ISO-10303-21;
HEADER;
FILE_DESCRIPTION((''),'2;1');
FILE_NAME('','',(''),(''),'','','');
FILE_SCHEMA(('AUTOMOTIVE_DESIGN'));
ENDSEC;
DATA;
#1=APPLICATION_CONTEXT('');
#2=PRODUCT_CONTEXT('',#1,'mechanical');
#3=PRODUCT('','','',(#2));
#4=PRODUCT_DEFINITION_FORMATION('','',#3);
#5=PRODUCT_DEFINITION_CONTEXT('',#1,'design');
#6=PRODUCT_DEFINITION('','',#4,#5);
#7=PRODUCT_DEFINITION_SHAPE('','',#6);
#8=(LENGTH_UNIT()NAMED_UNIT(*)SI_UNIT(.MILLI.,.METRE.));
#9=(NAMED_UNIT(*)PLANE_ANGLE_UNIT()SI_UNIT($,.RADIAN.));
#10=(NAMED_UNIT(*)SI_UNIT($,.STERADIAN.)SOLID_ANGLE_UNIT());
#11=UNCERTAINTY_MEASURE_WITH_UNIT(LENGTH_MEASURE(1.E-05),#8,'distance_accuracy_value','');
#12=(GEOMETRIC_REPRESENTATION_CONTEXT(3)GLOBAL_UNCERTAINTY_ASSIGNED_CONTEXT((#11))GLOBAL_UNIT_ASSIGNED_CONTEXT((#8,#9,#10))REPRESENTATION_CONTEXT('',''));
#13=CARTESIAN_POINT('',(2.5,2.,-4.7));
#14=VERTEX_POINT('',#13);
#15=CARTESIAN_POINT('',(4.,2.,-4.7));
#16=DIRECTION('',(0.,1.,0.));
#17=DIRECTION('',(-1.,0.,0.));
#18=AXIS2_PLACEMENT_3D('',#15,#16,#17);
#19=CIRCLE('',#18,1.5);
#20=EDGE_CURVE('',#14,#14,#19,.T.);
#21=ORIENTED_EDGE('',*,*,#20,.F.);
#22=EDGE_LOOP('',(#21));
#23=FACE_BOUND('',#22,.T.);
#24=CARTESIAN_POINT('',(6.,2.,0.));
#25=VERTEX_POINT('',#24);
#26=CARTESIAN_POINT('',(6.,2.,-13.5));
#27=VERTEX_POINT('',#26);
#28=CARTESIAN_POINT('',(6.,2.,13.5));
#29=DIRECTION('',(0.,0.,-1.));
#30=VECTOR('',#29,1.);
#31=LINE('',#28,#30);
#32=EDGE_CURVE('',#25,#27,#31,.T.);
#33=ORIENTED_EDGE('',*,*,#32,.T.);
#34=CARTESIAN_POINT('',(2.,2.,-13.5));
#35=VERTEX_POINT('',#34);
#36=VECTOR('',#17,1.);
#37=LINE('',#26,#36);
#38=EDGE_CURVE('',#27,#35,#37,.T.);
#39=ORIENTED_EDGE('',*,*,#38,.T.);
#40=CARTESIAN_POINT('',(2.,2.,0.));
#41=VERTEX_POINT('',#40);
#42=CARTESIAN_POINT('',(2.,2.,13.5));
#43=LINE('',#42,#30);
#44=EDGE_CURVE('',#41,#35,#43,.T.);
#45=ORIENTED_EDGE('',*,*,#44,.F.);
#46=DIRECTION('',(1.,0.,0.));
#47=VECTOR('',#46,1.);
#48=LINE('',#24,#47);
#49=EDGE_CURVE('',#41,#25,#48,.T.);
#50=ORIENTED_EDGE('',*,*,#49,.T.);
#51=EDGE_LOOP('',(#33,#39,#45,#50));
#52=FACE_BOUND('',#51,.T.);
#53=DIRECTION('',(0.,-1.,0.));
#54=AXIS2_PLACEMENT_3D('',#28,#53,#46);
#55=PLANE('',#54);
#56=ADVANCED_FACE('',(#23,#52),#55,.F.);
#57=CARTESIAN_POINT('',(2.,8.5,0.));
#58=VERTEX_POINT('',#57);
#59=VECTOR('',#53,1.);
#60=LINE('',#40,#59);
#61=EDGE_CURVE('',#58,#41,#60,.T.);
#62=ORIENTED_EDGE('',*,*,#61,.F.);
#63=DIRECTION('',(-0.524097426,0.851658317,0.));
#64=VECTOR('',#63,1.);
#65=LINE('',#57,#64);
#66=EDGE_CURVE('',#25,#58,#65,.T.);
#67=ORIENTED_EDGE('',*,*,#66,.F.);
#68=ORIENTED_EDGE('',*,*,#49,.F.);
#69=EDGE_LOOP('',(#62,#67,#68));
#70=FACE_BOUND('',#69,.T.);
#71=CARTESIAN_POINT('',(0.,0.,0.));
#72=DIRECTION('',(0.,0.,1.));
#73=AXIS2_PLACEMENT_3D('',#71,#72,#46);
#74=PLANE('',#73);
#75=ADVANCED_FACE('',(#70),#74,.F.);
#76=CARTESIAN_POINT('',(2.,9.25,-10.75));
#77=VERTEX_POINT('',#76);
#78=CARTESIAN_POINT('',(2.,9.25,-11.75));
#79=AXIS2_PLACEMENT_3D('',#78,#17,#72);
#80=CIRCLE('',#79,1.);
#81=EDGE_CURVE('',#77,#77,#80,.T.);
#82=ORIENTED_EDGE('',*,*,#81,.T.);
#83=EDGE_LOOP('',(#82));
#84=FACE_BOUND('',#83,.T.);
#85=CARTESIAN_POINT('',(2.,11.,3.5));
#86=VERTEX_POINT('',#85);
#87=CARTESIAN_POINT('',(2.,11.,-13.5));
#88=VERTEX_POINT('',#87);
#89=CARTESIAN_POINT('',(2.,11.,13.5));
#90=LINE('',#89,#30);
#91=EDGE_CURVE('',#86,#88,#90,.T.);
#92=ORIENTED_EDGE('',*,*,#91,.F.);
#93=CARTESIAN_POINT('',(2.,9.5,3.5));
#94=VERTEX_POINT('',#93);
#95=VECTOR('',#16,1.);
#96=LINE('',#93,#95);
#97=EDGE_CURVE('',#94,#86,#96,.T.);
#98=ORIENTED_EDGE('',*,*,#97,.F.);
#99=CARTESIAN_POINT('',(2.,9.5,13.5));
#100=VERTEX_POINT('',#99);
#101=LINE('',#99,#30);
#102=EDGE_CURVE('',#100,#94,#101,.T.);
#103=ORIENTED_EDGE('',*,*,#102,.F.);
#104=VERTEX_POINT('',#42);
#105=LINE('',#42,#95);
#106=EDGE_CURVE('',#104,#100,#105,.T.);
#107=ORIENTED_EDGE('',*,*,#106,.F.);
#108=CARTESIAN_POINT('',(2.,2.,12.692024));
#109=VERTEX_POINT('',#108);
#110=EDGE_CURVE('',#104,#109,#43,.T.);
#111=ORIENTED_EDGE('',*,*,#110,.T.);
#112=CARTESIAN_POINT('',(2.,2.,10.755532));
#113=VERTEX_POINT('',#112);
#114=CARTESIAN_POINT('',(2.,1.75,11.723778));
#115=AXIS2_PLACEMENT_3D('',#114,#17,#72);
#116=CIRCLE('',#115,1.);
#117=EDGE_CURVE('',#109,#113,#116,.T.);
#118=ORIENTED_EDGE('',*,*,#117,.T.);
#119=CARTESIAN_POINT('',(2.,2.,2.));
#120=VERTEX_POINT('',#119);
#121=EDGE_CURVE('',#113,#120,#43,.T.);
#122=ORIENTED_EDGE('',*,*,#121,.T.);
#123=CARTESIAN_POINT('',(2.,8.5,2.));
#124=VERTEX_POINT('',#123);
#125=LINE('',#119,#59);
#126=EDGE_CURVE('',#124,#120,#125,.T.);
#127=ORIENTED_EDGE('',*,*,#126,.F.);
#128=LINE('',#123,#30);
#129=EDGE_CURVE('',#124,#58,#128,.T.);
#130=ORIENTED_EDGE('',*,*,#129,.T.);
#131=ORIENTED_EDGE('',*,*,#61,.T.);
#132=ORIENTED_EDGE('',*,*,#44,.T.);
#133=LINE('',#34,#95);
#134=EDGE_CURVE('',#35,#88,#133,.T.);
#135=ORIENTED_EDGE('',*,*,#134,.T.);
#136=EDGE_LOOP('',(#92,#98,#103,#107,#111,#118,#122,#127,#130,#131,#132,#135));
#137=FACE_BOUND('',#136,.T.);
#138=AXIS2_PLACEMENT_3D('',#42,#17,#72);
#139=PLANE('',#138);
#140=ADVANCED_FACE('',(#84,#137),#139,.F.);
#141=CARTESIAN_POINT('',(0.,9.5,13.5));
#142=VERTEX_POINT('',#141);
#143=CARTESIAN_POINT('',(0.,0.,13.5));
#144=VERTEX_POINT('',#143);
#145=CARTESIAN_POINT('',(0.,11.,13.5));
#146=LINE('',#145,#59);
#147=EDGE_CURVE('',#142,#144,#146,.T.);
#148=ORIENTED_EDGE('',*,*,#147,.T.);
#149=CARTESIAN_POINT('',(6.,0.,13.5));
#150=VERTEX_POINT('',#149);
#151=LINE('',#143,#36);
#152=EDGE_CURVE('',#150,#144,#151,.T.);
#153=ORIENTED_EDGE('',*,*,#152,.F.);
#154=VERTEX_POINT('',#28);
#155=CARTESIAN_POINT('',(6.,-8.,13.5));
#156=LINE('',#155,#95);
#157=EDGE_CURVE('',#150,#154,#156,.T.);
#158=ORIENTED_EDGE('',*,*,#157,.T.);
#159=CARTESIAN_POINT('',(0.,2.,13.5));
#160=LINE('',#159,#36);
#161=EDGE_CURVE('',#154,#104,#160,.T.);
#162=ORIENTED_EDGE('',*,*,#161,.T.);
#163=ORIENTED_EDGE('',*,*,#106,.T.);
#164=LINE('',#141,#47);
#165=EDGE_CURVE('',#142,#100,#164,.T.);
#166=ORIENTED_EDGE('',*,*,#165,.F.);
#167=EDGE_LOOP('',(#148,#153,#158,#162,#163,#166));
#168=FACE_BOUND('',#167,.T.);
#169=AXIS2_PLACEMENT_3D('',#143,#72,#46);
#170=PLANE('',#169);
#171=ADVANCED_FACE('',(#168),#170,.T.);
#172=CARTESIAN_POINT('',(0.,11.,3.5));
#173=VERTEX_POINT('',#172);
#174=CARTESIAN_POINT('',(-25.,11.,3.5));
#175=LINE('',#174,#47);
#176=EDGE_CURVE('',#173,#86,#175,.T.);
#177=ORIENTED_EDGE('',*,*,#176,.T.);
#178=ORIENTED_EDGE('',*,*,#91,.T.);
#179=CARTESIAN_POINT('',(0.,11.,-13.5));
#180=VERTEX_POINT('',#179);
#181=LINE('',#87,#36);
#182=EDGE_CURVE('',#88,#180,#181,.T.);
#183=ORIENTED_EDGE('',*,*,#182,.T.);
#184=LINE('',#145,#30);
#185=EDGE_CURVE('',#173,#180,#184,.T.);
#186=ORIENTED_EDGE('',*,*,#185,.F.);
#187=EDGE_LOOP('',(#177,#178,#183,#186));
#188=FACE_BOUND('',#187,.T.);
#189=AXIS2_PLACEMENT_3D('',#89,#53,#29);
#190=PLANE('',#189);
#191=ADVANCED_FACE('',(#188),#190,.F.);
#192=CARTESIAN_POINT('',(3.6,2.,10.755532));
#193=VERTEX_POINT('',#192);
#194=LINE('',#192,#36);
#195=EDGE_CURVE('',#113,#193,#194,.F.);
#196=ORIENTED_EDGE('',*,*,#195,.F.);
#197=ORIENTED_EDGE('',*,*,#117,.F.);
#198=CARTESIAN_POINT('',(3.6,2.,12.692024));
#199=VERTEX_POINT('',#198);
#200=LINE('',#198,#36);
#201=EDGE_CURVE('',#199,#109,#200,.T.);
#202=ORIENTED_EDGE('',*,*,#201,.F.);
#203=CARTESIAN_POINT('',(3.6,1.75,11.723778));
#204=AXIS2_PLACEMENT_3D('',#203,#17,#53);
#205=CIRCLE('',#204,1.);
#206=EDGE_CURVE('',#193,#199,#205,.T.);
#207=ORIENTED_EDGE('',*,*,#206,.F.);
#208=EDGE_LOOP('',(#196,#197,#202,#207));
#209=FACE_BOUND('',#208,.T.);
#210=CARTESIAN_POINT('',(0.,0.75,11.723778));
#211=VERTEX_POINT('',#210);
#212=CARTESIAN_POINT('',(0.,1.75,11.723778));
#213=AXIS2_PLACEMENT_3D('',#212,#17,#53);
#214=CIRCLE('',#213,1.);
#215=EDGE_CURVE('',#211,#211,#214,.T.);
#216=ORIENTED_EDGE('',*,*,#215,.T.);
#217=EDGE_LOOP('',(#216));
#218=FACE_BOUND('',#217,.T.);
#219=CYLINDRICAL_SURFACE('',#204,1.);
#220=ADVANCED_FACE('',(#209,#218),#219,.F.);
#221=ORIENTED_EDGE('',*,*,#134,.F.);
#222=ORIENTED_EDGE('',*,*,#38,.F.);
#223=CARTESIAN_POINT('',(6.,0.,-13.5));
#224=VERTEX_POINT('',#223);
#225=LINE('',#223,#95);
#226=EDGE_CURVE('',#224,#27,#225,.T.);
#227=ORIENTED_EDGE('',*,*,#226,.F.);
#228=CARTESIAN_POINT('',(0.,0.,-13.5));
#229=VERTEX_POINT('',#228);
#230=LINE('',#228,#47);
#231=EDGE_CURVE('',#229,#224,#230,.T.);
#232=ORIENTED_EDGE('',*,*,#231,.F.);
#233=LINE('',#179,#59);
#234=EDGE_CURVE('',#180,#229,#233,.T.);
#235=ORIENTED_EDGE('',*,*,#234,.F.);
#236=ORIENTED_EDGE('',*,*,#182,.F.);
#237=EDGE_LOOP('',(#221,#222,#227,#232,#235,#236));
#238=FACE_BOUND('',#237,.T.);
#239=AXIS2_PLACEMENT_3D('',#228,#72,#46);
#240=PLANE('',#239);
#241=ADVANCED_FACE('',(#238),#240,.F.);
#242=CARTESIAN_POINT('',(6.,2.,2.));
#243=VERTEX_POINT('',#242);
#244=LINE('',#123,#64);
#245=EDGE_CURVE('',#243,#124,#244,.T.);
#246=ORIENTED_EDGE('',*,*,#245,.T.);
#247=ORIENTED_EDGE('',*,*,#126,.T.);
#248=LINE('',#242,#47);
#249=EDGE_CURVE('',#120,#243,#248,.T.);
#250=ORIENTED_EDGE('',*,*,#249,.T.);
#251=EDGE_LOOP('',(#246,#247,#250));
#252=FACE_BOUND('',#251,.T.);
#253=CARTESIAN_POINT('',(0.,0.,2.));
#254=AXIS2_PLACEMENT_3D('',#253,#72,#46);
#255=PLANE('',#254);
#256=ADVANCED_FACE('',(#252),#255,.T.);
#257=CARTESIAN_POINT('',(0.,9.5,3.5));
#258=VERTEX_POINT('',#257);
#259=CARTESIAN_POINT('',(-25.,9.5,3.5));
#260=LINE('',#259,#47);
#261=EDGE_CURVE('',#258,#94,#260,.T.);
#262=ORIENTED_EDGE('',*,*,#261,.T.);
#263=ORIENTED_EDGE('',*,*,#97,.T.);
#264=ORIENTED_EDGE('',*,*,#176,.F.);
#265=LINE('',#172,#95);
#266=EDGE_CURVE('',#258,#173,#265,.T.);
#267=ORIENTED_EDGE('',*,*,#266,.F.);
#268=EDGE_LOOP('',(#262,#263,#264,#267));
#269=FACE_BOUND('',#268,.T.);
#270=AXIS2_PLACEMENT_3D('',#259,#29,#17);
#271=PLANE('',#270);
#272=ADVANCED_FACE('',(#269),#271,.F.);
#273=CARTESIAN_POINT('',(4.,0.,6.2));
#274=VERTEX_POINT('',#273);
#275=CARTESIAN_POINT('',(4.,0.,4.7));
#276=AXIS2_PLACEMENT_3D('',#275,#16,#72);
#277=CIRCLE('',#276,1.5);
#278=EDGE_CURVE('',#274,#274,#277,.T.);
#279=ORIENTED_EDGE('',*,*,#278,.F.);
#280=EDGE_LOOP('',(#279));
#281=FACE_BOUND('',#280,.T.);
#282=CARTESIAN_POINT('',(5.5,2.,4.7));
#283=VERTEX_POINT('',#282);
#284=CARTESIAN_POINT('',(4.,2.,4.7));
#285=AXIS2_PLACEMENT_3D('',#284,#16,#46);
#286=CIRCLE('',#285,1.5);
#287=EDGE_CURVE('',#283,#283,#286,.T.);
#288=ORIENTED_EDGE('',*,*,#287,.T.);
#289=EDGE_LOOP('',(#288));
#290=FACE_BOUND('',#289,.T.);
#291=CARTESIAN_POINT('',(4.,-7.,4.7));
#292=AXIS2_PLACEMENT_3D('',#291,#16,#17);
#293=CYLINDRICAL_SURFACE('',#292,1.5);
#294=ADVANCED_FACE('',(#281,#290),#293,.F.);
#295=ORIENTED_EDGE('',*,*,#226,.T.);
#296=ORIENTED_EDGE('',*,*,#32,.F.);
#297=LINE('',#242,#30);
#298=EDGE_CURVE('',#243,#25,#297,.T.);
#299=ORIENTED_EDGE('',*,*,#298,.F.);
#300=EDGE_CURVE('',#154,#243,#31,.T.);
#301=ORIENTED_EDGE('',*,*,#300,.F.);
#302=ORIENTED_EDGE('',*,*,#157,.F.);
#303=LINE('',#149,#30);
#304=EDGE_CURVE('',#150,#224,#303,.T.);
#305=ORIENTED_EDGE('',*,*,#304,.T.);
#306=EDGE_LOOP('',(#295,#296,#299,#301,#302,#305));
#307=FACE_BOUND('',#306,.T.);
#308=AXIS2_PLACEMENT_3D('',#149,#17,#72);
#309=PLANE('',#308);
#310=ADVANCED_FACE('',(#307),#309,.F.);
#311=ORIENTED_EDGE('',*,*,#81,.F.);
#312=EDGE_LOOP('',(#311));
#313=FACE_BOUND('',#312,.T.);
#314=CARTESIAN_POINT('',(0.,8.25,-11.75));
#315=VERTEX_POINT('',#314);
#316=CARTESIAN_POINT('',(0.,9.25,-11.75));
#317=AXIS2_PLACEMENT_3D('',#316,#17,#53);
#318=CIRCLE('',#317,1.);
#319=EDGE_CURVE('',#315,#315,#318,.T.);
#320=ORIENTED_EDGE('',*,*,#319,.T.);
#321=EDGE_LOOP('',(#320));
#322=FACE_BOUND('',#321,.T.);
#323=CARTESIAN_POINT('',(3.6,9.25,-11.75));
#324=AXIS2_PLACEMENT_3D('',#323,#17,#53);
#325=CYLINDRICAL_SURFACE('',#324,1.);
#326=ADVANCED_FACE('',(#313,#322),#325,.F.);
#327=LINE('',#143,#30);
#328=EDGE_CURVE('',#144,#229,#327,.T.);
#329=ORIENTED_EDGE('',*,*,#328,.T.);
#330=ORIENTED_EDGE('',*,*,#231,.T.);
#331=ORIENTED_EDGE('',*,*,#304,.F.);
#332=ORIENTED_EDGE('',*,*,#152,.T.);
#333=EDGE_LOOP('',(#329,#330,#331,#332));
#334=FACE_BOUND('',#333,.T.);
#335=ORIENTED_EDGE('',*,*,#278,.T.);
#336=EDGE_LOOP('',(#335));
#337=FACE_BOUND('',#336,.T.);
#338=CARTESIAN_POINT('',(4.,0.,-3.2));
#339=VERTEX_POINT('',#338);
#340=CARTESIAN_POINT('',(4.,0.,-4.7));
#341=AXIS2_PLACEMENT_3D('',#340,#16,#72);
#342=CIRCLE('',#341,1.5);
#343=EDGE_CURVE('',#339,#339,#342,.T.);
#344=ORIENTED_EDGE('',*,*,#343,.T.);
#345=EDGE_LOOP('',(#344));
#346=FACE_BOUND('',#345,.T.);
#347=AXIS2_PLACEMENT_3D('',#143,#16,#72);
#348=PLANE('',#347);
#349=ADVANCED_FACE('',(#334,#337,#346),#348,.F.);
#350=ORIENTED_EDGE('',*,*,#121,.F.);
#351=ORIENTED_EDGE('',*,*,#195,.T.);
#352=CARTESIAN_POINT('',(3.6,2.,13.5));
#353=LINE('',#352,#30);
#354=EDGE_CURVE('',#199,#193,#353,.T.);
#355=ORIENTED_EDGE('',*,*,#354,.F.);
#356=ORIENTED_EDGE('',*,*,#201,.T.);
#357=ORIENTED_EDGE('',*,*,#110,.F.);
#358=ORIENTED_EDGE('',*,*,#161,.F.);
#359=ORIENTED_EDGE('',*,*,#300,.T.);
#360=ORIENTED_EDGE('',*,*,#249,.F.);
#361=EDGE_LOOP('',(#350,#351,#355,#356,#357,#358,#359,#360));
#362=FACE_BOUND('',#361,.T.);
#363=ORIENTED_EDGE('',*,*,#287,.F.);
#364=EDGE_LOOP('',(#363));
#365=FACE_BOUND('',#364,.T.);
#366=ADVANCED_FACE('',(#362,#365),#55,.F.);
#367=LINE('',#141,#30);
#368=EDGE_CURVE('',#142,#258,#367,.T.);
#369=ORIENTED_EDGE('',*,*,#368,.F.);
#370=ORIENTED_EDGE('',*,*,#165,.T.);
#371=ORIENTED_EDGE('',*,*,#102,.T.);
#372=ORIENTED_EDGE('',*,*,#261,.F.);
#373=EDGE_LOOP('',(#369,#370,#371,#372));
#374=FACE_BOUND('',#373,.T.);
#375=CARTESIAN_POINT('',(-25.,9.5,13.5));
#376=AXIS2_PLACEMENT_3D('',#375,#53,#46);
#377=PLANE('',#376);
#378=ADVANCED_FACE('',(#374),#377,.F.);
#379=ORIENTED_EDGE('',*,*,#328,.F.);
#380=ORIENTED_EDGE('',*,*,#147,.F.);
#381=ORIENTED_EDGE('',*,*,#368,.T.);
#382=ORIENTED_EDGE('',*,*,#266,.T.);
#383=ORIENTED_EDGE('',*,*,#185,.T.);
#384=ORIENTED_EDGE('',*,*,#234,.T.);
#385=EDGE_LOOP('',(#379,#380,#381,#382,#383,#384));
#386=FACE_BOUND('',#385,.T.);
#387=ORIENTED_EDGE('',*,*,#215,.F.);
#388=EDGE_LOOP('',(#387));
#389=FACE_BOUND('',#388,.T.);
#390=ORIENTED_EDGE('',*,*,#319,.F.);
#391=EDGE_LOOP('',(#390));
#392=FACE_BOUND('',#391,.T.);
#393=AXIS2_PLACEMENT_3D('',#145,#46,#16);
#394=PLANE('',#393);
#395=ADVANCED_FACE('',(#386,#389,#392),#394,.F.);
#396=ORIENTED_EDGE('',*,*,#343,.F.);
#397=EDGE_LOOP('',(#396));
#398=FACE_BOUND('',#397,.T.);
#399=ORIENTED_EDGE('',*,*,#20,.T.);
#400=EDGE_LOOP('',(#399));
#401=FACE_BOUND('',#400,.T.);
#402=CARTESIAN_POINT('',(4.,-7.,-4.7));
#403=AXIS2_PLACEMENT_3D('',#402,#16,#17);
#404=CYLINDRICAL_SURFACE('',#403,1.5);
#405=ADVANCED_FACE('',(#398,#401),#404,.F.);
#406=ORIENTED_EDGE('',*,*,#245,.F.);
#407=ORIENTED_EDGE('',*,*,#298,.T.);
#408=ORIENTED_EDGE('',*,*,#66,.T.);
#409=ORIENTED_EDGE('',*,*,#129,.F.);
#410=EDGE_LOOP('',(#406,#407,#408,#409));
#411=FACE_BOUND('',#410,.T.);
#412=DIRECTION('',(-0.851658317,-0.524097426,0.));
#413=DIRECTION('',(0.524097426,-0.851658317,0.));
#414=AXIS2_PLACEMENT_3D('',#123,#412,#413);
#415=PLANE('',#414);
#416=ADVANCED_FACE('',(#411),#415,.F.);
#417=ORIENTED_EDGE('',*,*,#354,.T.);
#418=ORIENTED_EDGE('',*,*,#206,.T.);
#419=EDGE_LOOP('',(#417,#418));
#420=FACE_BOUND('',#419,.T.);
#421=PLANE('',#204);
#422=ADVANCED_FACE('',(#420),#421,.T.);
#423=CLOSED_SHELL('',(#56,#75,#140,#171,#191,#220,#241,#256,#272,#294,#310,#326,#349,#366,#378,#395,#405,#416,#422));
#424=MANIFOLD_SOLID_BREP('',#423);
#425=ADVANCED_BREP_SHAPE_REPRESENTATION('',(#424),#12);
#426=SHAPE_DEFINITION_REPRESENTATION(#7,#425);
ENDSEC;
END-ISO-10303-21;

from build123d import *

# Parameters (mm, degrees)
BOSS_EXTRUDE1_DEPTH = 13.5
SKETCH2_W           = 10
SKETCH2_H           = 1.5
CUT_EXTRUDE1_DEPTH  = 27
SKETCH3_R           = 1
CUT_EXTRUDE2_DEPTH  = 3.6
SKETCH4_W           = 6
SKETCH4_H           = 2
BOSS_EXTRUDE2_DEPTH = 3
SKETCH5_R           = 1.5
CUT_EXTRUDE3_DEPTH  = 9
BOSS_EXTRUDE3_DEPTH = 2
SKETCH8_W           = 6
SKETCH8_H           = 3
CUT_EXTRUDE4_DEPTH  = 10


with BuildPart() as part:
    # Sketch1 → Boss-Extrude1 (new, symmetric)
    with BuildSketch(Plane.XY):
        Polygon((0, 11), (0, 0), (6, 0), (6, 2), (2, 2), (2, 11), align=None)
    extrude(amount=BOSS_EXTRUDE1_DEPTH, both=True)

    # Sketch2 → Cut-Extrude1 (cut)
    with BuildSketch(Plane(origin=(2, 0, 0), x_dir=(0, 0, -1), z_dir=(1, 0, 0))):
        with Locations((-8.5, 10.25)):
            Rectangle(SKETCH2_W, SKETCH2_H)
    extrude(amount=-CUT_EXTRUDE1_DEPTH, mode=Mode.SUBTRACT)

    # Sketch3 → Cut-Extrude2 (cut)
    with BuildSketch(Plane.ZY):
        with Locations(Location((-11.75, 9.25, 0), (0, 0, 270))):
            Circle(SKETCH3_R)
        with Locations(Location((11.723777669, 1.75, 0), (0, 0, 270))):
            Circle(SKETCH3_R)
    extrude(amount=-CUT_EXTRUDE2_DEPTH, mode=Mode.SUBTRACT)

    # Sketch4 → Boss-Extrude2 (add)
    with BuildSketch(Plane.XY.offset(13.5)):
        with Locations((3, 1)):
            Rectangle(SKETCH4_W, SKETCH4_H)
    extrude(amount=BOSS_EXTRUDE2_DEPTH)

    # Sketch5 → Cut-Extrude3 (cut)
    with BuildSketch(Plane(origin=(0, 2, 0), x_dir=(1, 0, 0), z_dir=(0, 1, 0))):
        with Locations(Location((4, 4.7, 0), (0, 0, 180))):
            Circle(SKETCH5_R)
        with Locations(Location((4, -4.7, 0), (0, 0, 270))):
            Circle(SKETCH5_R)
    extrude(amount=-CUT_EXTRUDE3_DEPTH, mode=Mode.SUBTRACT)

    # Sketch7 → Boss-Extrude3 (add)
    with BuildSketch(Plane.XY):
        Polygon((2, 8.5), (6, 2), (2, 2), align=None)
    extrude(amount=BOSS_EXTRUDE3_DEPTH)

    # Sketch8 → Cut-Extrude4 (cut)
    with BuildSketch(Plane(origin=(0, 2, 0), x_dir=(1, 0, 0), z_dir=(0, 1, 0))):
        with Locations((3, -15)):
            Rectangle(SKETCH8_W, SKETCH8_H)
    extrude(amount=-CUT_EXTRUDE4_DEPTH, mode=Mode.SUBTRACT)


solid = part.part
